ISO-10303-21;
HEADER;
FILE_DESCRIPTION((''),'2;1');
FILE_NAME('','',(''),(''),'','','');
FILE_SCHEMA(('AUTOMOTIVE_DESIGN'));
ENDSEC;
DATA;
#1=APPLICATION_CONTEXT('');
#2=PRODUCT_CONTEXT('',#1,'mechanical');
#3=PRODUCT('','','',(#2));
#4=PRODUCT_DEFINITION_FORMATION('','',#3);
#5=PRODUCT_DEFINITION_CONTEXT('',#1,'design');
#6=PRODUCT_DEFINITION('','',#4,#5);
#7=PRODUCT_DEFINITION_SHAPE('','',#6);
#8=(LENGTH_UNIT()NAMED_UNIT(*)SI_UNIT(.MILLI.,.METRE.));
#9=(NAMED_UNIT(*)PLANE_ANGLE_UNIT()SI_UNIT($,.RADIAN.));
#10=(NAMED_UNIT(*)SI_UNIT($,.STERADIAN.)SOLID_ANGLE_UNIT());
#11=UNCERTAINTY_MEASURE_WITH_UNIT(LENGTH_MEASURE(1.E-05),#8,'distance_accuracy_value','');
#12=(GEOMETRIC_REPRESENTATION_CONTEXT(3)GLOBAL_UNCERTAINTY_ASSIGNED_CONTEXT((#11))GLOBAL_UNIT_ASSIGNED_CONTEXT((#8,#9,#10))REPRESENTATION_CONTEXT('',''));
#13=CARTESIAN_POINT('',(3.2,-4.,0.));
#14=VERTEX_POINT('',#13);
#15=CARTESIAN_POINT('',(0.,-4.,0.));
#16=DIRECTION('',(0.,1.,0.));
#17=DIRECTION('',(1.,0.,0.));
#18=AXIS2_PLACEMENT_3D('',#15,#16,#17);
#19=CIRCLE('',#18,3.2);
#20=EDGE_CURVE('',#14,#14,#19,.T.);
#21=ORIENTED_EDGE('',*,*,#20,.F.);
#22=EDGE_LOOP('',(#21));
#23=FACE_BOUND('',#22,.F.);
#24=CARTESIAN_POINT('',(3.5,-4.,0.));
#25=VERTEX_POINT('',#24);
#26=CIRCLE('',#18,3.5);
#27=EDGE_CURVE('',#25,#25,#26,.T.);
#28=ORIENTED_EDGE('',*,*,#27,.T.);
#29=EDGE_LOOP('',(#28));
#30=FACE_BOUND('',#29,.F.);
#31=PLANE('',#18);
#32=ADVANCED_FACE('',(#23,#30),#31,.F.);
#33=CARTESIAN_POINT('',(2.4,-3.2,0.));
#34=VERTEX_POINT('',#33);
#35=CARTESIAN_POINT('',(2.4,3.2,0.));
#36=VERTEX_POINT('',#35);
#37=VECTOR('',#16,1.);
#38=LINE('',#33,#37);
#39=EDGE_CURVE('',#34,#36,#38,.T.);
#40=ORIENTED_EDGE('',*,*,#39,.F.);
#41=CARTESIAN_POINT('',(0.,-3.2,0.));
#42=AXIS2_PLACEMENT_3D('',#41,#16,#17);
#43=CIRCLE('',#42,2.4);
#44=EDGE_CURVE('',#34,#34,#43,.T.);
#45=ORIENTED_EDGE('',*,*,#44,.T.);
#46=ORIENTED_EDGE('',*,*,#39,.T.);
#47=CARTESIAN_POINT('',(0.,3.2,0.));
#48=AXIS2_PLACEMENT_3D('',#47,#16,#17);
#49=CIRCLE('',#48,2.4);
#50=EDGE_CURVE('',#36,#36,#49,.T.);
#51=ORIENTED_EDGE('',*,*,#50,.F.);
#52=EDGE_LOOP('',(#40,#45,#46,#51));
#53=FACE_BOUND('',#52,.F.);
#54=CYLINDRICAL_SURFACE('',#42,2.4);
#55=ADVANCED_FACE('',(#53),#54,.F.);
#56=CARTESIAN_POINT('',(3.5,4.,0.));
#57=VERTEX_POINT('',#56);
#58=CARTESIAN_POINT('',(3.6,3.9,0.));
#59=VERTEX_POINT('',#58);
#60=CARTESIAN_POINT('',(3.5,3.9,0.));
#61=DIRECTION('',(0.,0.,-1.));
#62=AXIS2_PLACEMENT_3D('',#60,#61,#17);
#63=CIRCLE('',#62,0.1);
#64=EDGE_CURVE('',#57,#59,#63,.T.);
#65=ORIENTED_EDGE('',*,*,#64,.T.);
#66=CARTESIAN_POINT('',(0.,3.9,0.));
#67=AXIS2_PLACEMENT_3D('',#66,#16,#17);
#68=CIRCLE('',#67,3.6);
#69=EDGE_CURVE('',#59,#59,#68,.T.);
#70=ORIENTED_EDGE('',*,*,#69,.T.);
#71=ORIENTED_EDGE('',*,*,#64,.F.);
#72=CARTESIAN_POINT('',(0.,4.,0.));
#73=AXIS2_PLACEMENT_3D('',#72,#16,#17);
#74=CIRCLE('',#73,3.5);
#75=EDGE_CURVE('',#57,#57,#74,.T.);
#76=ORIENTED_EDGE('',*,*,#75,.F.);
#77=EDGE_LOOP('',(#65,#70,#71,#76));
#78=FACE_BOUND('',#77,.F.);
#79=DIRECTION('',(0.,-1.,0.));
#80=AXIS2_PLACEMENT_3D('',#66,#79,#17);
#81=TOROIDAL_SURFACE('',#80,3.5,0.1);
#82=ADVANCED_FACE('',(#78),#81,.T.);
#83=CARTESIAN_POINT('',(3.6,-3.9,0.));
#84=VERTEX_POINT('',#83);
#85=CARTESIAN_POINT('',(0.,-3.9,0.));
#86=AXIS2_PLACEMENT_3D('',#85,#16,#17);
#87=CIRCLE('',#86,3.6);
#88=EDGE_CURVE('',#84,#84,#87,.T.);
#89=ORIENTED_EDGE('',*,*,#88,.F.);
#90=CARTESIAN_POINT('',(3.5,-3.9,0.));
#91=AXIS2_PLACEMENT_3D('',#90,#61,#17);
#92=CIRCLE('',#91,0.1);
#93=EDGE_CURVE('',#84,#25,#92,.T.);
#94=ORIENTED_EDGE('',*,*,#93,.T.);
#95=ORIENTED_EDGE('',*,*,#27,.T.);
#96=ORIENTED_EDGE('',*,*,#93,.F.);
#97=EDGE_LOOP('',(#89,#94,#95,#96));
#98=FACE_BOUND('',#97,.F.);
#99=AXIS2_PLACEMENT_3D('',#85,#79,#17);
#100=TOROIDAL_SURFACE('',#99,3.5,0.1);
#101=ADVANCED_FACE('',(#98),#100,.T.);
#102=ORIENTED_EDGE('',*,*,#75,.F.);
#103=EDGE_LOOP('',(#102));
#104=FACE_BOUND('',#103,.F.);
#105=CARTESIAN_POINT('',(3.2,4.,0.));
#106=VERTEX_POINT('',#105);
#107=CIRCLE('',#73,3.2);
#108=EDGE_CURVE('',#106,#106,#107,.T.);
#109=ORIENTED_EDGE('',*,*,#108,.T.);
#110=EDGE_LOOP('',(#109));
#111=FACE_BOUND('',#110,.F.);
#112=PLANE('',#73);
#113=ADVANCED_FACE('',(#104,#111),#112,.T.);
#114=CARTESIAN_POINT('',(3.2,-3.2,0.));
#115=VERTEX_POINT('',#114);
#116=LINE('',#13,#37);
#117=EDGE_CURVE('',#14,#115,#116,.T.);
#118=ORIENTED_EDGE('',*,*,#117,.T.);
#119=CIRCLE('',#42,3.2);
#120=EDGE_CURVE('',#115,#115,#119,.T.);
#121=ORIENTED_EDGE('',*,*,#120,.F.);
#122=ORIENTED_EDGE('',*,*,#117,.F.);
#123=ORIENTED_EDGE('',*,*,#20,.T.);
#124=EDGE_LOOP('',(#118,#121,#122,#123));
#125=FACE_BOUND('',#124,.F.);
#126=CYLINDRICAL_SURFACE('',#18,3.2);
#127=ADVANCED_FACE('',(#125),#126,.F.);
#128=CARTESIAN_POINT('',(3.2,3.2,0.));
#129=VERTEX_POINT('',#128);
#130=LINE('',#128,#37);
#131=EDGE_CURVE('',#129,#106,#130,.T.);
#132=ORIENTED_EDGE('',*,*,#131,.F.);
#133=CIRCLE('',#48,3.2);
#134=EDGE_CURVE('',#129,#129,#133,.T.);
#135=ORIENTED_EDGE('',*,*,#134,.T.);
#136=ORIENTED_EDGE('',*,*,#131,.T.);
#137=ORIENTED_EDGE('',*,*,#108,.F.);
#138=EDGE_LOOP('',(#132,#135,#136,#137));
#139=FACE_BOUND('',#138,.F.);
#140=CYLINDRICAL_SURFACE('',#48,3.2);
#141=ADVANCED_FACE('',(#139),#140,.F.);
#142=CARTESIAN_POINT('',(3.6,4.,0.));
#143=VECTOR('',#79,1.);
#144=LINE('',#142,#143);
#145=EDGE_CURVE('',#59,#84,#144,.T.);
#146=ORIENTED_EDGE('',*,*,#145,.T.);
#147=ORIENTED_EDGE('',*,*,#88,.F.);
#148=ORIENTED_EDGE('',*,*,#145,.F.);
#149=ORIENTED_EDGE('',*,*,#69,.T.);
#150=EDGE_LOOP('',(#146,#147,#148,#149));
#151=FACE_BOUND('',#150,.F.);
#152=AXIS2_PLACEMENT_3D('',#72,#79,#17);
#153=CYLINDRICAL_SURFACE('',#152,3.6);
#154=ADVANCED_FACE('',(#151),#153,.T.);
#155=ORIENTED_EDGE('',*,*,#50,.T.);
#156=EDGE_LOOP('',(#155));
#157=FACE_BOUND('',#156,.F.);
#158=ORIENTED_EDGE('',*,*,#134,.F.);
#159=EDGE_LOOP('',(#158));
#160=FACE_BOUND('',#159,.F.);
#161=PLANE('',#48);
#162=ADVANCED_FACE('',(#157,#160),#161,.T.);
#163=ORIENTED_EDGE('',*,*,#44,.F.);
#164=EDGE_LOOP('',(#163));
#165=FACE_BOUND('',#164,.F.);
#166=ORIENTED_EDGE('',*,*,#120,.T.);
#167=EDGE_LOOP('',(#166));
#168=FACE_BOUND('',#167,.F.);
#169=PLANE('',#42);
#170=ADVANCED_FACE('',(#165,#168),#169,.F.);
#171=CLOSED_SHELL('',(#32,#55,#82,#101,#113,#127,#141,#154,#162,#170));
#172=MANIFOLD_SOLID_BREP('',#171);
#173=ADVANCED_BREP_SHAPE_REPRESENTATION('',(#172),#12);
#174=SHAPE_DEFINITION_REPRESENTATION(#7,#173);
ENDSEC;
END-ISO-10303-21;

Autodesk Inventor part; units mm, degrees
ref_plane "YZ Plane" through (0, 0, 0) normal (1, 0, 0) x (0, 1, 0)
ref_plane "XZ Plane" through (0, 0, 0) normal (0, 1, 0) x (-1, 0, 0)
ref_plane "XY Plane" through (0, 0, 0) normal (0, 0, 1) x (1, 0, 0)
sketch "Sketch1" plane through (0, 0, 0) normal (0, 0, 1) x (1, 0, 0)
  line L0 (0, -5.6) -> (0, 5.6) projected
  line L1 (2.4, -3.2) -> (2.4, 3.2)
  line L2 (2.4, 3.2) -> (3.2, 3.2)
  line L3 (3.2, 3.2) -> (3.2, 4)
  line L4 (3.2, 4) -> (3.6, 4)
  line L5 (3.6, 4) -> (3.6, -4)
  line L6 (3.6, -4) -> (3.2, -4)
  line L7 (3.2, -4) -> (3.2, -3.2)
  line L8 (3.2, -3.2) -> (2.4, -3.2)
  point P0 (0, 0)
  point P1 (2.4, 0)
  dimension "d0" = 4.8
  dimension "d1" = 8
  dimension "d2" = 6.4
  dimension "d3" = 0.8
  dimension "d4" = 7.2
revolve "Revolution1" add sketch "Sketch1" angle 360 about axis through (0, -10, 0) along (0, 1, 0)
fillet "Fillet1" radius 0.1 2 edges at (-3.6, 4, 0) (-3.6, -4, 0)
equation "\"d0\" = tpd"
equation "\"d1\" = lu"
equation "\"d2\" = tsd"
equation "\"d3\" = tsl"
equation "\"d4\" = tlad"
equation "\"d6\" = lf"
equation "\"tpd\" = 4.8"
equation "\"lu\" = 8"
equation "\"tsd\" = 6.4"
equation "\"tsl\" = 0.8"
equation "\"tlad\" = 7.2"
equation "\"lf\" = 0.1"
properties part number "18654-Black" material "ABS Plastic"
